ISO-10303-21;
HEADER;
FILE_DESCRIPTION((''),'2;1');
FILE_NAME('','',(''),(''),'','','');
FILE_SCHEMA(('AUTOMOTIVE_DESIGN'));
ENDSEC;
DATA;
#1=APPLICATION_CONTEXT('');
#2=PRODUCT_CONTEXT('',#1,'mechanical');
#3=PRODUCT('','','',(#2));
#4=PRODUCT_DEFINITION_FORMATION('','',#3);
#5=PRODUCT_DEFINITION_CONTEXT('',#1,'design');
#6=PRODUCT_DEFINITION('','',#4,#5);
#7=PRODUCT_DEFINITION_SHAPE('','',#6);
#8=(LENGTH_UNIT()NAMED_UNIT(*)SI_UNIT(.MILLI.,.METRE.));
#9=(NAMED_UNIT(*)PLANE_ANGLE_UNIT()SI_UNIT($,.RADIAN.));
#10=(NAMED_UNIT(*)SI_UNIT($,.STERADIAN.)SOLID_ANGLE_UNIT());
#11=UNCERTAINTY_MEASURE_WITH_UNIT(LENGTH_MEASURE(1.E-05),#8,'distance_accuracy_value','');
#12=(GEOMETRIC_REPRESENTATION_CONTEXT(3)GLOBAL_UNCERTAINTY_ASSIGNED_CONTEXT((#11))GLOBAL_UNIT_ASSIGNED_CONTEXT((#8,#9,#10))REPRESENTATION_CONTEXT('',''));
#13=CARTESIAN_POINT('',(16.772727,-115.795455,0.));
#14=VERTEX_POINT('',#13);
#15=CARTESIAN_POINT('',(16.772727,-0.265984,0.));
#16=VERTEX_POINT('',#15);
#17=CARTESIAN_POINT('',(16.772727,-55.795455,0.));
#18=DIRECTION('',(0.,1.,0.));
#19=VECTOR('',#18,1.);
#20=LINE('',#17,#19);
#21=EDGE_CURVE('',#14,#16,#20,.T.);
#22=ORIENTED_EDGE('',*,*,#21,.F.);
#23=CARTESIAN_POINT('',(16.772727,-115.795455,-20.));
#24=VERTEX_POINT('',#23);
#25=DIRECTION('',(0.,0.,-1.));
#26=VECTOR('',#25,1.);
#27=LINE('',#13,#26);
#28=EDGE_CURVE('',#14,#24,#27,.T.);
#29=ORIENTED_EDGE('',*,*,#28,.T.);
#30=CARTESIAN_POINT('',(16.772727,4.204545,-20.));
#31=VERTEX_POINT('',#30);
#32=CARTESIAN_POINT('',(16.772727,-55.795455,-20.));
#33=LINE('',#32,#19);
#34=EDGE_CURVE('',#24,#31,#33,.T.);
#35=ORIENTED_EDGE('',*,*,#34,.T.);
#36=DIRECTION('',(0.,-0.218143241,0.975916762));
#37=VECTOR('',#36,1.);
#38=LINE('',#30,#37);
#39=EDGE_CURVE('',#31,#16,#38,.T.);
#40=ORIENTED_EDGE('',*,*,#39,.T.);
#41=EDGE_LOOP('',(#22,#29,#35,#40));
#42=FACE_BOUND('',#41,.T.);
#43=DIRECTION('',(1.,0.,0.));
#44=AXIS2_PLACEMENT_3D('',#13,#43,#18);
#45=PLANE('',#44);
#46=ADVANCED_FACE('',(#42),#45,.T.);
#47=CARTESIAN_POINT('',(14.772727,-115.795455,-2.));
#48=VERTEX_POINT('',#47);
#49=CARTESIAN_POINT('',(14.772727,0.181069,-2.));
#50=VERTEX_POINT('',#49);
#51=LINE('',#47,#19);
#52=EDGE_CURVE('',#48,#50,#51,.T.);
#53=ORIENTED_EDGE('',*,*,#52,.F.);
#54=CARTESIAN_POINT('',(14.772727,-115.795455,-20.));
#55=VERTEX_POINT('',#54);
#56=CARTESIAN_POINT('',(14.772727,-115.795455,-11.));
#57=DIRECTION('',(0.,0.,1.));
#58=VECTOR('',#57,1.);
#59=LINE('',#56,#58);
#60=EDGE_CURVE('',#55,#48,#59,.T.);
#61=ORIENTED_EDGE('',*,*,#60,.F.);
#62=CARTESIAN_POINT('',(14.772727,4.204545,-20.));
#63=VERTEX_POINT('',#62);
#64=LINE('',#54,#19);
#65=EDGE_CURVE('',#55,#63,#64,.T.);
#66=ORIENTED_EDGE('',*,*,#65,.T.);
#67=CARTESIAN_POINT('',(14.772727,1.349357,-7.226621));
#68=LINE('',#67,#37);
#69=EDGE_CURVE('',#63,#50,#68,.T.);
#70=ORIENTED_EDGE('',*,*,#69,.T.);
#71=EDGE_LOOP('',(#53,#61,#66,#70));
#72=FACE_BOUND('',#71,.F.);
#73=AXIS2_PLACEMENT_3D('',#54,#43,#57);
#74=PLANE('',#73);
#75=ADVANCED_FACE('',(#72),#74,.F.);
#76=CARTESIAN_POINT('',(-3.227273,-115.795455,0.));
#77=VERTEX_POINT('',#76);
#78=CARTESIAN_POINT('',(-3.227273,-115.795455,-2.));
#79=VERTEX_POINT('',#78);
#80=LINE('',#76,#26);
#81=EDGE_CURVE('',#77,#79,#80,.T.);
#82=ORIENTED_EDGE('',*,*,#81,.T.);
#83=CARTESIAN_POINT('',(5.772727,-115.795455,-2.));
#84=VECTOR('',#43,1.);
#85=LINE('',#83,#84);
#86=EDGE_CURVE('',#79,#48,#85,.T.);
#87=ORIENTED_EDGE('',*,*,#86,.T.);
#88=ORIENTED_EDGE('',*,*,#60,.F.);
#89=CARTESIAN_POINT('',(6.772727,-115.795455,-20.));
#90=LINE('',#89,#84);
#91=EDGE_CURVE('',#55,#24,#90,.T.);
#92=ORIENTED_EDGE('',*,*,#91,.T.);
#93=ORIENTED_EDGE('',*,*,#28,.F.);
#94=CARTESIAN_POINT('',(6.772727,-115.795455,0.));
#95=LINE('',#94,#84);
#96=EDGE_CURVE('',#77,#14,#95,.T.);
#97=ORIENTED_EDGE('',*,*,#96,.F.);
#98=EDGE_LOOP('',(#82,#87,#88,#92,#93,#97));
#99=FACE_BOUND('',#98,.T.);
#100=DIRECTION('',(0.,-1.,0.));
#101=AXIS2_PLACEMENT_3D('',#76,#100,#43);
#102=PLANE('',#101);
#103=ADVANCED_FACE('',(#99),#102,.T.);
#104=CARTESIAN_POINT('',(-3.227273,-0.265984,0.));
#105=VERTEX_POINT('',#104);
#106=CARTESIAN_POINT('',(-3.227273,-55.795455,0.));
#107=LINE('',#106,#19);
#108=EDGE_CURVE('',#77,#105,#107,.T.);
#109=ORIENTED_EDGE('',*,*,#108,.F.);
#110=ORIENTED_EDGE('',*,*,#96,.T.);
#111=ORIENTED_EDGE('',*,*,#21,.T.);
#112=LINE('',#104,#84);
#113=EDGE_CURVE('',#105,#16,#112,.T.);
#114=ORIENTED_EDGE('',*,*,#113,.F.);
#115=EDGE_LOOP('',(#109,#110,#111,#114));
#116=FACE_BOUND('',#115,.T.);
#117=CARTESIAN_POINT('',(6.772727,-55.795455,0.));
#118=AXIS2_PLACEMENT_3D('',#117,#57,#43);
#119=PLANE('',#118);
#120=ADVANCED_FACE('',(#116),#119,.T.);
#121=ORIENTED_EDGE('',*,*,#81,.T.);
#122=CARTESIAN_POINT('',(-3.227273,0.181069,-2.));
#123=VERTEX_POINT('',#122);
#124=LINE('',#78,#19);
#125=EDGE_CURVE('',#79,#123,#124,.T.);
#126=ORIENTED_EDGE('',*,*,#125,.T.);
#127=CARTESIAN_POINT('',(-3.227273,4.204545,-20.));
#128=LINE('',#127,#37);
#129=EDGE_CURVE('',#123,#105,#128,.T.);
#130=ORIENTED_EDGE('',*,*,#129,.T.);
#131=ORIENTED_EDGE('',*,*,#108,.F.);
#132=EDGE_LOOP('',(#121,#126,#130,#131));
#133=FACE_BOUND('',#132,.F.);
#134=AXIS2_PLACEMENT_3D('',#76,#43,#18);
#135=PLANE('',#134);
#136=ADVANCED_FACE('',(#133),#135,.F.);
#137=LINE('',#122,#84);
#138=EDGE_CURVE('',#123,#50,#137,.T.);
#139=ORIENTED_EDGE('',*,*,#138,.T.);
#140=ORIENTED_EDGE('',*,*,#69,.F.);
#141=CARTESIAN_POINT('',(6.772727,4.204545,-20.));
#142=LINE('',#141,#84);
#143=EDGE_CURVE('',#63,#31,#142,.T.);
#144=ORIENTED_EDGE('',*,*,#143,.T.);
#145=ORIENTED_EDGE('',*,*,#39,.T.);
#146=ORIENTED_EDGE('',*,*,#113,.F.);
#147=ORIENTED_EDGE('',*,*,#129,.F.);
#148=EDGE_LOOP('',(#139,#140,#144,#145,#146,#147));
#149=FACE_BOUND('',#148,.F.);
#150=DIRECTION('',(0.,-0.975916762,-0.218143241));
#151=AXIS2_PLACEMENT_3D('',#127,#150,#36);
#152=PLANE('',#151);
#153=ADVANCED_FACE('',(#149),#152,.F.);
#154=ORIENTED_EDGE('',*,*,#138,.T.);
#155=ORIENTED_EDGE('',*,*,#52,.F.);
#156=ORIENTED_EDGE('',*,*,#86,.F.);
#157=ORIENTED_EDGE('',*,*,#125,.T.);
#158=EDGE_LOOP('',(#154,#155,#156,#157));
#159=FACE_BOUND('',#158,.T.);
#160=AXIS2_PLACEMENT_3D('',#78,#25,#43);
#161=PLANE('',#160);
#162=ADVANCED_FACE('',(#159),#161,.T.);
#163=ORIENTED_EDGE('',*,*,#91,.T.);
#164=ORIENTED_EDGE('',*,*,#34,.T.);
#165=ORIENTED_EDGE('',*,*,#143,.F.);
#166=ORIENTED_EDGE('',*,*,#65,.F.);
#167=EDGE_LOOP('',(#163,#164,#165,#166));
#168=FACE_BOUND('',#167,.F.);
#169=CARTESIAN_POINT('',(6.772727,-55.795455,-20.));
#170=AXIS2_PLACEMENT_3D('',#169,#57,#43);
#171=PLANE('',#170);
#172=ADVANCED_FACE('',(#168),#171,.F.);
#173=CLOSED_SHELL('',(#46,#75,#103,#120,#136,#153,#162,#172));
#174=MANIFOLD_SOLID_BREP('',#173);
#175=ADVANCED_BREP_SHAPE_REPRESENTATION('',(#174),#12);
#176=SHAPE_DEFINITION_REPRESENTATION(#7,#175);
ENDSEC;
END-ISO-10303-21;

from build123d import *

# Parameters (mm, degrees)
SKETCH1_W           = 20
SKETCH1_H           = 120
BOSS_EXTRUDE1_DEPTH = 20
CUT_EXTRUDE2_DEPTH  = 20
SKETCH5_W           = 18
SKETCH5_H           = 18
CUT_EXTRUDE4_DEPTH  = 120


with BuildPart() as part:
    # Sketch1 → Boss-Extrude1 (new body)
    with BuildSketch(Plane.XY):
        with Locations((6.772727273, -55.795454545)):
            Rectangle(SKETCH1_W, SKETCH1_H)
    extrude(amount=-BOSS_EXTRUDE1_DEPTH)

    # Sketch4 → Cut-Extrude2 (cut)
    with BuildSketch(Plane.ZY.offset(3.227272727)):
        Polygon((-20, 4.204545455), (0, -0.265984203), (0, 4.204545455), align=None)
    extrude(amount=-CUT_EXTRUDE2_DEPTH, mode=Mode.SUBTRACT)

    # Sketch5 → Cut-Extrude4 (cut)
    with BuildSketch(Plane.XZ.offset(115.795454545)):
        with Locations((5.772727273, -11)):
            Rectangle(SKETCH5_W, SKETCH5_H)
    extrude(amount=-CUT_EXTRUDE4_DEPTH, mode=Mode.SUBTRACT)


solid = part.part
